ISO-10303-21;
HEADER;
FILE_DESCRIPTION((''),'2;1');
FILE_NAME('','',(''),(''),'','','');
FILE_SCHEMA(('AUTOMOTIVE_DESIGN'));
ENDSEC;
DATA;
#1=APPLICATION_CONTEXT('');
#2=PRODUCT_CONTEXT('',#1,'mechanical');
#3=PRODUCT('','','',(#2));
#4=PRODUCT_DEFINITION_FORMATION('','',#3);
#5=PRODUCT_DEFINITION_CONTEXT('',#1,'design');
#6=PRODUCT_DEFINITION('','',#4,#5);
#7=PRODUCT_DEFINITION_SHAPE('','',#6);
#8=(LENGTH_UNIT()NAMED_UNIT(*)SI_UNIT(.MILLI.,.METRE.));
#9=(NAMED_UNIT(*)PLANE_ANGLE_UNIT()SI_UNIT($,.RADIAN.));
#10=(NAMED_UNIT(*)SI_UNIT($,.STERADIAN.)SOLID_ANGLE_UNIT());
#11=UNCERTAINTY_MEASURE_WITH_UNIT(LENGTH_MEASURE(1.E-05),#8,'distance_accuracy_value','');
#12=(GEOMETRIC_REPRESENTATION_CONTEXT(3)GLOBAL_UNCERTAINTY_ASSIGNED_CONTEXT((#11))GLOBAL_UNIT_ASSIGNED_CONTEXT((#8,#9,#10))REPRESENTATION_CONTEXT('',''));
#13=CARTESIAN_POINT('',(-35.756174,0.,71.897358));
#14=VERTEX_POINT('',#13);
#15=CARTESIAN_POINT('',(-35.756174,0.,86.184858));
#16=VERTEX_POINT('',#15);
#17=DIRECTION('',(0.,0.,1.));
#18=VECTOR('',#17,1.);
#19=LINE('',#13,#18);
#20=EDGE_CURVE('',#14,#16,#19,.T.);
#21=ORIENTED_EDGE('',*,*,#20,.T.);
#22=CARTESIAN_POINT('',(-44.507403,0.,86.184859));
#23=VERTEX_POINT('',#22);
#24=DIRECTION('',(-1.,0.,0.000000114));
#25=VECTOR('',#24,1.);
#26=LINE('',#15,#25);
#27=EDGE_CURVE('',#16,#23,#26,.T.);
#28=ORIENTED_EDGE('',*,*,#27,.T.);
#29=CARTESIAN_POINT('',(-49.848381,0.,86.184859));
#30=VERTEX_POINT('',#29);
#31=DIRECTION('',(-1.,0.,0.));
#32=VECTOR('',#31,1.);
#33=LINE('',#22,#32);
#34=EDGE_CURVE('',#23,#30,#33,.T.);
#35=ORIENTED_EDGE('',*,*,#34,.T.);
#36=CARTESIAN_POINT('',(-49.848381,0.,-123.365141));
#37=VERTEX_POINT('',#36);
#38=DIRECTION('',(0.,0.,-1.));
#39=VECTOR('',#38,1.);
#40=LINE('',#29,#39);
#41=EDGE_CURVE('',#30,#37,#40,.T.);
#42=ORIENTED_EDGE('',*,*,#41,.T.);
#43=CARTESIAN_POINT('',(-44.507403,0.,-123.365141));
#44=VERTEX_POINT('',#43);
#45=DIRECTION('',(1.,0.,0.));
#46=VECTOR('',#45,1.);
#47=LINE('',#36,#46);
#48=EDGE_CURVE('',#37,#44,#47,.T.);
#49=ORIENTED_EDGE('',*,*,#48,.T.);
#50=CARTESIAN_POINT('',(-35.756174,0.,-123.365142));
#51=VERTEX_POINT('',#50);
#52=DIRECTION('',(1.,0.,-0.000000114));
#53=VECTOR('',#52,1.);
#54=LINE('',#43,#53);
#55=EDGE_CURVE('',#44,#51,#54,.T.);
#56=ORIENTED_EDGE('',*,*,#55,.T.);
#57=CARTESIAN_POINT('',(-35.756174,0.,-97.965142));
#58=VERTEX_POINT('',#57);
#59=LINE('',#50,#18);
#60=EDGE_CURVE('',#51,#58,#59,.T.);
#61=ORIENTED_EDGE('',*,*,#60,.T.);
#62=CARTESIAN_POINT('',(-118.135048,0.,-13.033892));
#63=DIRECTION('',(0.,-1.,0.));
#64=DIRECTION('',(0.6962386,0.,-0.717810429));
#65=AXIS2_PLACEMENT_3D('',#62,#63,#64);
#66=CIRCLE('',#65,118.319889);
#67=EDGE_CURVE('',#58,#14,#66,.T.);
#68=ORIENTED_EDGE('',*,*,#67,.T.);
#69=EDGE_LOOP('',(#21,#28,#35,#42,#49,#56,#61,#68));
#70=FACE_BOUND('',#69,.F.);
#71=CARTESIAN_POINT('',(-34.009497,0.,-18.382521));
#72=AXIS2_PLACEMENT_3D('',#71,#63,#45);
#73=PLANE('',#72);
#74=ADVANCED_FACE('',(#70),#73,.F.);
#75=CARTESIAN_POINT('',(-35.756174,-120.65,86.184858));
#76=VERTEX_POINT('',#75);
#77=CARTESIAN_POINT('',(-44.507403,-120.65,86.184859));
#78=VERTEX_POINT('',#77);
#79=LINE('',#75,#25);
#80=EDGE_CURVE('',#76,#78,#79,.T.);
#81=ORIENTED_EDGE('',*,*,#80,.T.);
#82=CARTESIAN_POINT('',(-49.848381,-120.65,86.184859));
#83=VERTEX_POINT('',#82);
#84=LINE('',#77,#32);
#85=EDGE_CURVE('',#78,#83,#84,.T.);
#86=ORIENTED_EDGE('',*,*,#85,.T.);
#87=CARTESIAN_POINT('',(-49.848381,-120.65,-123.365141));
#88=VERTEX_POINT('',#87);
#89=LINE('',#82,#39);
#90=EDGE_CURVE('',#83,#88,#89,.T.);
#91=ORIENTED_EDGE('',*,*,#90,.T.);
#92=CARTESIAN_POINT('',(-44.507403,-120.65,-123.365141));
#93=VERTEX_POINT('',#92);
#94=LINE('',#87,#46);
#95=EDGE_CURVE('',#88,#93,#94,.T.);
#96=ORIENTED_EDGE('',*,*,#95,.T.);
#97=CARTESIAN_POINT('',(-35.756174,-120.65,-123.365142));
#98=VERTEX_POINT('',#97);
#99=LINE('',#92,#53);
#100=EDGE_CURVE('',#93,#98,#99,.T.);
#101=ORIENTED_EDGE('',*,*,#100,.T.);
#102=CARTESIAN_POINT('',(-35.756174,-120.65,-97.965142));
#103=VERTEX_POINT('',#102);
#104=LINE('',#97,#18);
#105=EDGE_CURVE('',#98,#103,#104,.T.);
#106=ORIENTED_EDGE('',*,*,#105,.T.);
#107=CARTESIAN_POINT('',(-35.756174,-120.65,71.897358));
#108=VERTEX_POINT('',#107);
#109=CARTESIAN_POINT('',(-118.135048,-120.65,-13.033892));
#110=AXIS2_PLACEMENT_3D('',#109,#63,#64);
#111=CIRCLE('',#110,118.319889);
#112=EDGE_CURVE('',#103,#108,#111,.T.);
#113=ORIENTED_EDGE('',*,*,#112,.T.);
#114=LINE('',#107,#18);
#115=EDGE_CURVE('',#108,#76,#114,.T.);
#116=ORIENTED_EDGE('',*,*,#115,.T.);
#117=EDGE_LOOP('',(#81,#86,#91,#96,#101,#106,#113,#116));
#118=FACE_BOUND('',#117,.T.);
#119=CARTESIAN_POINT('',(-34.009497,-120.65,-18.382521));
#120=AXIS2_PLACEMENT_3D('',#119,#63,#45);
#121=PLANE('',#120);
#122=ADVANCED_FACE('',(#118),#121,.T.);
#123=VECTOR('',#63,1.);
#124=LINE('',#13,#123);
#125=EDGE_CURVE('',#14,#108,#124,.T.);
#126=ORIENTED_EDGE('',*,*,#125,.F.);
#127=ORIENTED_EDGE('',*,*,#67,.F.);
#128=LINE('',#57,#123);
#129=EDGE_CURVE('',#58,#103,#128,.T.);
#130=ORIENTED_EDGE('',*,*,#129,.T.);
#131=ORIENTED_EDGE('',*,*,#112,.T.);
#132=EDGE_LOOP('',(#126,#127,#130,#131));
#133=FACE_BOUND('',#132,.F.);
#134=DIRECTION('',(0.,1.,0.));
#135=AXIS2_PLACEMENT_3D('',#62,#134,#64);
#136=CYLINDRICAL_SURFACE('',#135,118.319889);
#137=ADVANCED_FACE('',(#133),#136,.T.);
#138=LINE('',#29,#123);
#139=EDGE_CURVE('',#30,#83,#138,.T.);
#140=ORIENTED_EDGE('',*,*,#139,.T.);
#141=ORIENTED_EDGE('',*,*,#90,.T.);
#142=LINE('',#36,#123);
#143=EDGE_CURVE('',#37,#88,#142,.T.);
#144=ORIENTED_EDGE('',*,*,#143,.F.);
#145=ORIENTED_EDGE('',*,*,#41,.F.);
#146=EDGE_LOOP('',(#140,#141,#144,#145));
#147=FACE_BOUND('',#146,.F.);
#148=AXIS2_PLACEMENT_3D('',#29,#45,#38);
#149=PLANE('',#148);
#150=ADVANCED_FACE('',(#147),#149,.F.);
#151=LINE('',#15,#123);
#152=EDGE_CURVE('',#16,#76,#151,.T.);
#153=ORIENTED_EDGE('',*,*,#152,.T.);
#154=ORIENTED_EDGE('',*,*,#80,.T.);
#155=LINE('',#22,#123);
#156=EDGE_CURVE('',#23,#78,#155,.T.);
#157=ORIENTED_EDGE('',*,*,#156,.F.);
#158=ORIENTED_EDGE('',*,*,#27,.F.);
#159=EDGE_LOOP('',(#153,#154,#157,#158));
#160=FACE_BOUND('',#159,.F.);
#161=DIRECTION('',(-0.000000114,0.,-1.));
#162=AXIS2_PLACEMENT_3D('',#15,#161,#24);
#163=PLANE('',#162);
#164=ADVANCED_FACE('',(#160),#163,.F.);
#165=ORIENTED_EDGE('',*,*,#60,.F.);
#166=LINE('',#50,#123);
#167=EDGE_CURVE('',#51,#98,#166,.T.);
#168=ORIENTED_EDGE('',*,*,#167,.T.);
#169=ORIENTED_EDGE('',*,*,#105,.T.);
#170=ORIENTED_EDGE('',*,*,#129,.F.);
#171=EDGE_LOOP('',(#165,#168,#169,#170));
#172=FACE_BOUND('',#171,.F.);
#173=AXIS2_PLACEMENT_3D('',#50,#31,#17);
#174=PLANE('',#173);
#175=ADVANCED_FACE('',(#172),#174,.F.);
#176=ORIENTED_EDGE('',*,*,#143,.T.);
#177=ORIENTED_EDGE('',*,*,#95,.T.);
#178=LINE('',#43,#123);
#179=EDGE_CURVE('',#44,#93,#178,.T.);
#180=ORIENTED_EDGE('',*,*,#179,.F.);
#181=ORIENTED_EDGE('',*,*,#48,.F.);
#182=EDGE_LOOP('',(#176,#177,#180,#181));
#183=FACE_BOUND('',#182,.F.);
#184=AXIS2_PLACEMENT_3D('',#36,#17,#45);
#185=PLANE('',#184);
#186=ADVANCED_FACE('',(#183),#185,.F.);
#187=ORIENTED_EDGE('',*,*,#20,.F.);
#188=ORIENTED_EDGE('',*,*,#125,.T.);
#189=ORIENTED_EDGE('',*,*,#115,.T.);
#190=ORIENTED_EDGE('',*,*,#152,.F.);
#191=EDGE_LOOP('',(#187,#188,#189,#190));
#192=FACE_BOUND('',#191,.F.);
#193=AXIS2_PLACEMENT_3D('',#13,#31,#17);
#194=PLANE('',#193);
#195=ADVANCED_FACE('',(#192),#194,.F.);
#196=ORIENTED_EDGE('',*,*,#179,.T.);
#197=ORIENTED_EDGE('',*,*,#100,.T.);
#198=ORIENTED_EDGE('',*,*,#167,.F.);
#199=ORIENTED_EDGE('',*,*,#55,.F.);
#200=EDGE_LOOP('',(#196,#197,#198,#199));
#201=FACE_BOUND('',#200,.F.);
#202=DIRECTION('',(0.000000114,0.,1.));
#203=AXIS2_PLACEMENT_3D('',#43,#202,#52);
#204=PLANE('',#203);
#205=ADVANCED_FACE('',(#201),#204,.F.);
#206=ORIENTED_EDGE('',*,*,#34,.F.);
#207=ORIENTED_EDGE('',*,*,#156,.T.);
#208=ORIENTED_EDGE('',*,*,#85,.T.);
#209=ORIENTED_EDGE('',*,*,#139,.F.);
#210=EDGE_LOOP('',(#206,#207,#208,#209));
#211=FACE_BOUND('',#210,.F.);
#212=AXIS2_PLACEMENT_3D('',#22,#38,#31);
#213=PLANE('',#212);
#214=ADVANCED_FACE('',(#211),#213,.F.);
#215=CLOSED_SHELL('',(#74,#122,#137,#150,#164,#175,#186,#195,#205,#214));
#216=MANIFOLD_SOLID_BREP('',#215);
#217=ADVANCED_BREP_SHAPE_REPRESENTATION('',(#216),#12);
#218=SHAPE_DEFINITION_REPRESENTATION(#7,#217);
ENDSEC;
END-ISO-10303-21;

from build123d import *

# Parameters (mm, degrees)
F1_DEPTH = 120.65


with BuildPart() as f1:
    # F0 (on Front) → F1 (new body)
    with BuildSketch(Plane.XZ):
        with BuildLine():
            Line((-44.507403, -123.365141), (-35.756174, -123.365142))
            Line((-35.756174, -123.365142), (-35.756174, -97.965142))
            ThreePointArc((-35.756174, -97.965142), (0.184841, -13.033892), (-35.756174, 71.897358))
            Line((-35.756174, 71.897358), (-35.756174, 86.184858))
            Line((-35.756174, 86.184858), (-44.507403, 86.184859))
            Line((-44.507403, 86.184859), (-49.848381, 86.184859))
            Line((-49.848381, 86.184859), (-49.848381, -123.365141))
            Line((-49.848381, -123.365141), (-44.507403, -123.365141))
        make_face()
    extrude(amount=F1_DEPTH)


solid = f1.part
